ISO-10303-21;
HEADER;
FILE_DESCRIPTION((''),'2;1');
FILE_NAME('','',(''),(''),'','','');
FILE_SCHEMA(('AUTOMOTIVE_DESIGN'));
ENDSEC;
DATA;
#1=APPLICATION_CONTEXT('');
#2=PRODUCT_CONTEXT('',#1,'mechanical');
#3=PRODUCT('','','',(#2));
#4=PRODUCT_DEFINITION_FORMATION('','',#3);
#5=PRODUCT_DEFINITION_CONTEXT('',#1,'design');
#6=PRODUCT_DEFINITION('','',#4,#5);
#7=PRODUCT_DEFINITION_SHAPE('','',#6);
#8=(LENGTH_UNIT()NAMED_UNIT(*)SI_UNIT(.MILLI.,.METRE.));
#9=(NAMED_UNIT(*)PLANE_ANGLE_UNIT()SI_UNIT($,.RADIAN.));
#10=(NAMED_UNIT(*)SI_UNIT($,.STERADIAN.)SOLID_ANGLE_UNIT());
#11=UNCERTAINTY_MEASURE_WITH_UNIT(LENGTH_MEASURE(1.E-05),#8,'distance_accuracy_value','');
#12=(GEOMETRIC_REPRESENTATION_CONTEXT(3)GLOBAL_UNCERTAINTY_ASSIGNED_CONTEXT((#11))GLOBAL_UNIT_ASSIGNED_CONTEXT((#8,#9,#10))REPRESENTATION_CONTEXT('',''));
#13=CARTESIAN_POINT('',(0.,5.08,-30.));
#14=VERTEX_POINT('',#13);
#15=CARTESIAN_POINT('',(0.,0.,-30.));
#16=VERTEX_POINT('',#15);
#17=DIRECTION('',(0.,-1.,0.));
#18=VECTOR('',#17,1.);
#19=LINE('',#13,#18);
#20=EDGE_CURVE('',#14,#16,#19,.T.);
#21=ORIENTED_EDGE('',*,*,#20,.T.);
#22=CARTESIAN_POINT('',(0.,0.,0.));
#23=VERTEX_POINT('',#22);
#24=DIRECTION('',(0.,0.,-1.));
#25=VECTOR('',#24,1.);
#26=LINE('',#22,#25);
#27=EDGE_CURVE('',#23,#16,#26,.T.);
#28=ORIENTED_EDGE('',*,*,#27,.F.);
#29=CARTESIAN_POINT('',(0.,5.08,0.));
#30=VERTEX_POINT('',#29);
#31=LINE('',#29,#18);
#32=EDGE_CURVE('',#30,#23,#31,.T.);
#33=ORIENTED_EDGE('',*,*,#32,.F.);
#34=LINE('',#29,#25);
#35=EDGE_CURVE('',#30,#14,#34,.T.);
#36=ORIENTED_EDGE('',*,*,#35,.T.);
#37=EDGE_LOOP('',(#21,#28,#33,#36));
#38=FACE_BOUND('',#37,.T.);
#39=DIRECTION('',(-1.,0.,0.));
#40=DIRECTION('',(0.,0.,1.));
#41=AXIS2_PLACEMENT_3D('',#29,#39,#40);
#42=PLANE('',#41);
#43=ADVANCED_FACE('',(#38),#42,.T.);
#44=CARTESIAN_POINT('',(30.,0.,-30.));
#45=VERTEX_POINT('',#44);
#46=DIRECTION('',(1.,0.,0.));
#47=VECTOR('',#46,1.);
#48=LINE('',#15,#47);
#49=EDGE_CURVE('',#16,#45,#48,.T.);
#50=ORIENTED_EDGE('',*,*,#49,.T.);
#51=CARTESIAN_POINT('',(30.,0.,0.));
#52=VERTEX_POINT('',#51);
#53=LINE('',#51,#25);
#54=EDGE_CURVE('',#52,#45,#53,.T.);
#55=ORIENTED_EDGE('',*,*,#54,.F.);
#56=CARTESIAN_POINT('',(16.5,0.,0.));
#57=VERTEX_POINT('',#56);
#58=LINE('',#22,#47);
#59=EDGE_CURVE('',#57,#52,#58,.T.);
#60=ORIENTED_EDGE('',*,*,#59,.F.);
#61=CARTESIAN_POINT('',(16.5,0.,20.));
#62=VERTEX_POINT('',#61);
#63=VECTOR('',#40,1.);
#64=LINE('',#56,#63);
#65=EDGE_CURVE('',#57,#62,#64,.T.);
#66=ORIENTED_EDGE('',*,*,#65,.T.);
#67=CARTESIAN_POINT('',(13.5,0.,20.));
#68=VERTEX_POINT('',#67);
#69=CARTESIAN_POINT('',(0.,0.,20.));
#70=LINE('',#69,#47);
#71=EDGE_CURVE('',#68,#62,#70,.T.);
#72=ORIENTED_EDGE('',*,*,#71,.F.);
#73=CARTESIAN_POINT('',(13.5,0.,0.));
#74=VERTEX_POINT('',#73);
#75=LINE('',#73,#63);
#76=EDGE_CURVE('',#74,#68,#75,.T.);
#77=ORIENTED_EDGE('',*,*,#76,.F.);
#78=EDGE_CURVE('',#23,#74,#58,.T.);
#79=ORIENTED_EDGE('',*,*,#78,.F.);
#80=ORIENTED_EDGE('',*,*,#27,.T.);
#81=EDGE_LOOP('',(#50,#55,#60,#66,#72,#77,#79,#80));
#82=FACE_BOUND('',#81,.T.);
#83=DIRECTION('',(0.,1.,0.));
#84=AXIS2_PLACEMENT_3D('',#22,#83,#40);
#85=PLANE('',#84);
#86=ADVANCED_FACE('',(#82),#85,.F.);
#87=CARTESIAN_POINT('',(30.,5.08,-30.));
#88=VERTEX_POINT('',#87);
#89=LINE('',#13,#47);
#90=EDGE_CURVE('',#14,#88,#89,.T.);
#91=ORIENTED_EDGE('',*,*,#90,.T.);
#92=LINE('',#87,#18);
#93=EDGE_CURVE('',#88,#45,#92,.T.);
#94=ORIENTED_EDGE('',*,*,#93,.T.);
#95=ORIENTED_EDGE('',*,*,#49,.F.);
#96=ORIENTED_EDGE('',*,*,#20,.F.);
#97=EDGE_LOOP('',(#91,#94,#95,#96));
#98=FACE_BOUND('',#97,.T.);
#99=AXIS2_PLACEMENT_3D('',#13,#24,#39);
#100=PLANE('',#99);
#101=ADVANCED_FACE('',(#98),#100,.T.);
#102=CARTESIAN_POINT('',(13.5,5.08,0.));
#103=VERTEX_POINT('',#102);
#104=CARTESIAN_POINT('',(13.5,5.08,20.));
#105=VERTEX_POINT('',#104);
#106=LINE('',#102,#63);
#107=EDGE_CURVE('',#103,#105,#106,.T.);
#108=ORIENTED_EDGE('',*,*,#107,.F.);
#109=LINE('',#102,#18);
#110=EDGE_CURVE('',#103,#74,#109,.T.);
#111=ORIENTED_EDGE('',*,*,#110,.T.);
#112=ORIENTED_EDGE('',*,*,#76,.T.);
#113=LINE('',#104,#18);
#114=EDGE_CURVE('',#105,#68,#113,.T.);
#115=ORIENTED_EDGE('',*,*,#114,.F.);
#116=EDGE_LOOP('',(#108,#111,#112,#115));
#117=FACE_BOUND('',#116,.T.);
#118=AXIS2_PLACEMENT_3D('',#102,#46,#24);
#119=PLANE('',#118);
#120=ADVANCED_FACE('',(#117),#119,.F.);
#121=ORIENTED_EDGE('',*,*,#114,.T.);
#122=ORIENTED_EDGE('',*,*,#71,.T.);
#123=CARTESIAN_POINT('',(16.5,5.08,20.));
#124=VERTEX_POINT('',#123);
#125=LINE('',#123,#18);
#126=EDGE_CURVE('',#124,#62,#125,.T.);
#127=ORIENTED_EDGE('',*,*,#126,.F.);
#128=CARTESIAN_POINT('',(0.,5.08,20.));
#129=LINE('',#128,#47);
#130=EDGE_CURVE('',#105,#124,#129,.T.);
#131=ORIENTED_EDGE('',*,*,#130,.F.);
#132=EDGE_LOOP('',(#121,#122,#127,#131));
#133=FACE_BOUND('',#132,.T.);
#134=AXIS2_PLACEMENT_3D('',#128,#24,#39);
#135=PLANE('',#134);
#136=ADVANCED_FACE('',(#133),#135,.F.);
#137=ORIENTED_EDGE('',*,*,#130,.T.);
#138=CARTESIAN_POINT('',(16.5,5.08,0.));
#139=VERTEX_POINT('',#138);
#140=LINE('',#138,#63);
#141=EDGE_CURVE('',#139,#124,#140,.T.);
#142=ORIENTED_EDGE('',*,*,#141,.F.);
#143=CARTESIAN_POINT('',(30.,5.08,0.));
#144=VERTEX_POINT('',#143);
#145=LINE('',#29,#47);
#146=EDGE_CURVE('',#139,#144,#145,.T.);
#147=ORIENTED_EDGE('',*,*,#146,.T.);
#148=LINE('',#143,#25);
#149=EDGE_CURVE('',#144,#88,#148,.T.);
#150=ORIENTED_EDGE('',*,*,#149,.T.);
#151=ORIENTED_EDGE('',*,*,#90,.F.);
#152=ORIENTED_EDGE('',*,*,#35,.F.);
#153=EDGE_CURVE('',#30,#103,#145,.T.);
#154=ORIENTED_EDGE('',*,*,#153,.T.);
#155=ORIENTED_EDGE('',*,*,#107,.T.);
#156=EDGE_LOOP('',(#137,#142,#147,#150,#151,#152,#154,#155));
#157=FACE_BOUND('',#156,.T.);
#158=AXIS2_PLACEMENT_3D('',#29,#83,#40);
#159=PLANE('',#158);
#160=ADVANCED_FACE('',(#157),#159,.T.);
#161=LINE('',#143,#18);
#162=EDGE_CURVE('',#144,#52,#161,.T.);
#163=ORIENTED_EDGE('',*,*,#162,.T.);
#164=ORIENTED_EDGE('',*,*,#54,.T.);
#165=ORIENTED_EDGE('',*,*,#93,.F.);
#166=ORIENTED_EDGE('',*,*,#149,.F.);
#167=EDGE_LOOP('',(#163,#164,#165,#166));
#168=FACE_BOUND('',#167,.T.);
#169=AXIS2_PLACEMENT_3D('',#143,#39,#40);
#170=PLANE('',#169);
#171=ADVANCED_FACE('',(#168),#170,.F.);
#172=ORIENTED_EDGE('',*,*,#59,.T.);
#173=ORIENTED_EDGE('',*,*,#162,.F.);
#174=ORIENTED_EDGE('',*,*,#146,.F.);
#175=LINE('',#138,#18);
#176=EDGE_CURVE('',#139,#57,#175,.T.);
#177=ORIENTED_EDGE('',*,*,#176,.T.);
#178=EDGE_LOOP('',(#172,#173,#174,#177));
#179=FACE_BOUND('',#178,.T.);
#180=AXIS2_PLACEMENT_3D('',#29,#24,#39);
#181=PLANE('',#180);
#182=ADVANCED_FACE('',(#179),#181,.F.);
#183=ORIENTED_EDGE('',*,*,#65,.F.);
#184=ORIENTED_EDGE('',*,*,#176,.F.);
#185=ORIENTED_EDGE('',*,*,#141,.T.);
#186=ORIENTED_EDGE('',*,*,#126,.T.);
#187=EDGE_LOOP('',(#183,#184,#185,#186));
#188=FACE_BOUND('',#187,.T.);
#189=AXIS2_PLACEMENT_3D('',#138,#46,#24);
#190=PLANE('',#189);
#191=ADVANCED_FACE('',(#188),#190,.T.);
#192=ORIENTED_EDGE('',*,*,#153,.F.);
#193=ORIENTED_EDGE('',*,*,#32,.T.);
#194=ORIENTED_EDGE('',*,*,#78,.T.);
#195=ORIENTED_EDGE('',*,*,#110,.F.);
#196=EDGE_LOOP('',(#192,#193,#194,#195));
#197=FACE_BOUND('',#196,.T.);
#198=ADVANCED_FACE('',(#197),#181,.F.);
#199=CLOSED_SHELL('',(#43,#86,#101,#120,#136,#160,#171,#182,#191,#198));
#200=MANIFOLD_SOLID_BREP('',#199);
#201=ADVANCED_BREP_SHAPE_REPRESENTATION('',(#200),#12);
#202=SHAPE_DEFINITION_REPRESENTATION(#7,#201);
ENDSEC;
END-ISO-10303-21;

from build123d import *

# Parameters (mm, degrees)
SKETCH1_W           = 3
SKETCH1_H           = 20
BOSS_EXTRUDE1_DEPTH = 5.08


with BuildPart() as part:
    # Sketch1 → Boss-Extrude1 (new body)
    with BuildSketch(Plane(origin=(0, 0, 0), x_dir=(1, 0, 0), z_dir=(0, 1, 0))):
        Polygon((13.5, 0), (16.5, 0), (30, 0), (30, 30), (0, 30), (0, 0), align=None)
        with Locations((15, -10)):
            Rectangle(SKETCH1_W, SKETCH1_H)
    extrude(amount=BOSS_EXTRUDE1_DEPTH)


solid = part.part
